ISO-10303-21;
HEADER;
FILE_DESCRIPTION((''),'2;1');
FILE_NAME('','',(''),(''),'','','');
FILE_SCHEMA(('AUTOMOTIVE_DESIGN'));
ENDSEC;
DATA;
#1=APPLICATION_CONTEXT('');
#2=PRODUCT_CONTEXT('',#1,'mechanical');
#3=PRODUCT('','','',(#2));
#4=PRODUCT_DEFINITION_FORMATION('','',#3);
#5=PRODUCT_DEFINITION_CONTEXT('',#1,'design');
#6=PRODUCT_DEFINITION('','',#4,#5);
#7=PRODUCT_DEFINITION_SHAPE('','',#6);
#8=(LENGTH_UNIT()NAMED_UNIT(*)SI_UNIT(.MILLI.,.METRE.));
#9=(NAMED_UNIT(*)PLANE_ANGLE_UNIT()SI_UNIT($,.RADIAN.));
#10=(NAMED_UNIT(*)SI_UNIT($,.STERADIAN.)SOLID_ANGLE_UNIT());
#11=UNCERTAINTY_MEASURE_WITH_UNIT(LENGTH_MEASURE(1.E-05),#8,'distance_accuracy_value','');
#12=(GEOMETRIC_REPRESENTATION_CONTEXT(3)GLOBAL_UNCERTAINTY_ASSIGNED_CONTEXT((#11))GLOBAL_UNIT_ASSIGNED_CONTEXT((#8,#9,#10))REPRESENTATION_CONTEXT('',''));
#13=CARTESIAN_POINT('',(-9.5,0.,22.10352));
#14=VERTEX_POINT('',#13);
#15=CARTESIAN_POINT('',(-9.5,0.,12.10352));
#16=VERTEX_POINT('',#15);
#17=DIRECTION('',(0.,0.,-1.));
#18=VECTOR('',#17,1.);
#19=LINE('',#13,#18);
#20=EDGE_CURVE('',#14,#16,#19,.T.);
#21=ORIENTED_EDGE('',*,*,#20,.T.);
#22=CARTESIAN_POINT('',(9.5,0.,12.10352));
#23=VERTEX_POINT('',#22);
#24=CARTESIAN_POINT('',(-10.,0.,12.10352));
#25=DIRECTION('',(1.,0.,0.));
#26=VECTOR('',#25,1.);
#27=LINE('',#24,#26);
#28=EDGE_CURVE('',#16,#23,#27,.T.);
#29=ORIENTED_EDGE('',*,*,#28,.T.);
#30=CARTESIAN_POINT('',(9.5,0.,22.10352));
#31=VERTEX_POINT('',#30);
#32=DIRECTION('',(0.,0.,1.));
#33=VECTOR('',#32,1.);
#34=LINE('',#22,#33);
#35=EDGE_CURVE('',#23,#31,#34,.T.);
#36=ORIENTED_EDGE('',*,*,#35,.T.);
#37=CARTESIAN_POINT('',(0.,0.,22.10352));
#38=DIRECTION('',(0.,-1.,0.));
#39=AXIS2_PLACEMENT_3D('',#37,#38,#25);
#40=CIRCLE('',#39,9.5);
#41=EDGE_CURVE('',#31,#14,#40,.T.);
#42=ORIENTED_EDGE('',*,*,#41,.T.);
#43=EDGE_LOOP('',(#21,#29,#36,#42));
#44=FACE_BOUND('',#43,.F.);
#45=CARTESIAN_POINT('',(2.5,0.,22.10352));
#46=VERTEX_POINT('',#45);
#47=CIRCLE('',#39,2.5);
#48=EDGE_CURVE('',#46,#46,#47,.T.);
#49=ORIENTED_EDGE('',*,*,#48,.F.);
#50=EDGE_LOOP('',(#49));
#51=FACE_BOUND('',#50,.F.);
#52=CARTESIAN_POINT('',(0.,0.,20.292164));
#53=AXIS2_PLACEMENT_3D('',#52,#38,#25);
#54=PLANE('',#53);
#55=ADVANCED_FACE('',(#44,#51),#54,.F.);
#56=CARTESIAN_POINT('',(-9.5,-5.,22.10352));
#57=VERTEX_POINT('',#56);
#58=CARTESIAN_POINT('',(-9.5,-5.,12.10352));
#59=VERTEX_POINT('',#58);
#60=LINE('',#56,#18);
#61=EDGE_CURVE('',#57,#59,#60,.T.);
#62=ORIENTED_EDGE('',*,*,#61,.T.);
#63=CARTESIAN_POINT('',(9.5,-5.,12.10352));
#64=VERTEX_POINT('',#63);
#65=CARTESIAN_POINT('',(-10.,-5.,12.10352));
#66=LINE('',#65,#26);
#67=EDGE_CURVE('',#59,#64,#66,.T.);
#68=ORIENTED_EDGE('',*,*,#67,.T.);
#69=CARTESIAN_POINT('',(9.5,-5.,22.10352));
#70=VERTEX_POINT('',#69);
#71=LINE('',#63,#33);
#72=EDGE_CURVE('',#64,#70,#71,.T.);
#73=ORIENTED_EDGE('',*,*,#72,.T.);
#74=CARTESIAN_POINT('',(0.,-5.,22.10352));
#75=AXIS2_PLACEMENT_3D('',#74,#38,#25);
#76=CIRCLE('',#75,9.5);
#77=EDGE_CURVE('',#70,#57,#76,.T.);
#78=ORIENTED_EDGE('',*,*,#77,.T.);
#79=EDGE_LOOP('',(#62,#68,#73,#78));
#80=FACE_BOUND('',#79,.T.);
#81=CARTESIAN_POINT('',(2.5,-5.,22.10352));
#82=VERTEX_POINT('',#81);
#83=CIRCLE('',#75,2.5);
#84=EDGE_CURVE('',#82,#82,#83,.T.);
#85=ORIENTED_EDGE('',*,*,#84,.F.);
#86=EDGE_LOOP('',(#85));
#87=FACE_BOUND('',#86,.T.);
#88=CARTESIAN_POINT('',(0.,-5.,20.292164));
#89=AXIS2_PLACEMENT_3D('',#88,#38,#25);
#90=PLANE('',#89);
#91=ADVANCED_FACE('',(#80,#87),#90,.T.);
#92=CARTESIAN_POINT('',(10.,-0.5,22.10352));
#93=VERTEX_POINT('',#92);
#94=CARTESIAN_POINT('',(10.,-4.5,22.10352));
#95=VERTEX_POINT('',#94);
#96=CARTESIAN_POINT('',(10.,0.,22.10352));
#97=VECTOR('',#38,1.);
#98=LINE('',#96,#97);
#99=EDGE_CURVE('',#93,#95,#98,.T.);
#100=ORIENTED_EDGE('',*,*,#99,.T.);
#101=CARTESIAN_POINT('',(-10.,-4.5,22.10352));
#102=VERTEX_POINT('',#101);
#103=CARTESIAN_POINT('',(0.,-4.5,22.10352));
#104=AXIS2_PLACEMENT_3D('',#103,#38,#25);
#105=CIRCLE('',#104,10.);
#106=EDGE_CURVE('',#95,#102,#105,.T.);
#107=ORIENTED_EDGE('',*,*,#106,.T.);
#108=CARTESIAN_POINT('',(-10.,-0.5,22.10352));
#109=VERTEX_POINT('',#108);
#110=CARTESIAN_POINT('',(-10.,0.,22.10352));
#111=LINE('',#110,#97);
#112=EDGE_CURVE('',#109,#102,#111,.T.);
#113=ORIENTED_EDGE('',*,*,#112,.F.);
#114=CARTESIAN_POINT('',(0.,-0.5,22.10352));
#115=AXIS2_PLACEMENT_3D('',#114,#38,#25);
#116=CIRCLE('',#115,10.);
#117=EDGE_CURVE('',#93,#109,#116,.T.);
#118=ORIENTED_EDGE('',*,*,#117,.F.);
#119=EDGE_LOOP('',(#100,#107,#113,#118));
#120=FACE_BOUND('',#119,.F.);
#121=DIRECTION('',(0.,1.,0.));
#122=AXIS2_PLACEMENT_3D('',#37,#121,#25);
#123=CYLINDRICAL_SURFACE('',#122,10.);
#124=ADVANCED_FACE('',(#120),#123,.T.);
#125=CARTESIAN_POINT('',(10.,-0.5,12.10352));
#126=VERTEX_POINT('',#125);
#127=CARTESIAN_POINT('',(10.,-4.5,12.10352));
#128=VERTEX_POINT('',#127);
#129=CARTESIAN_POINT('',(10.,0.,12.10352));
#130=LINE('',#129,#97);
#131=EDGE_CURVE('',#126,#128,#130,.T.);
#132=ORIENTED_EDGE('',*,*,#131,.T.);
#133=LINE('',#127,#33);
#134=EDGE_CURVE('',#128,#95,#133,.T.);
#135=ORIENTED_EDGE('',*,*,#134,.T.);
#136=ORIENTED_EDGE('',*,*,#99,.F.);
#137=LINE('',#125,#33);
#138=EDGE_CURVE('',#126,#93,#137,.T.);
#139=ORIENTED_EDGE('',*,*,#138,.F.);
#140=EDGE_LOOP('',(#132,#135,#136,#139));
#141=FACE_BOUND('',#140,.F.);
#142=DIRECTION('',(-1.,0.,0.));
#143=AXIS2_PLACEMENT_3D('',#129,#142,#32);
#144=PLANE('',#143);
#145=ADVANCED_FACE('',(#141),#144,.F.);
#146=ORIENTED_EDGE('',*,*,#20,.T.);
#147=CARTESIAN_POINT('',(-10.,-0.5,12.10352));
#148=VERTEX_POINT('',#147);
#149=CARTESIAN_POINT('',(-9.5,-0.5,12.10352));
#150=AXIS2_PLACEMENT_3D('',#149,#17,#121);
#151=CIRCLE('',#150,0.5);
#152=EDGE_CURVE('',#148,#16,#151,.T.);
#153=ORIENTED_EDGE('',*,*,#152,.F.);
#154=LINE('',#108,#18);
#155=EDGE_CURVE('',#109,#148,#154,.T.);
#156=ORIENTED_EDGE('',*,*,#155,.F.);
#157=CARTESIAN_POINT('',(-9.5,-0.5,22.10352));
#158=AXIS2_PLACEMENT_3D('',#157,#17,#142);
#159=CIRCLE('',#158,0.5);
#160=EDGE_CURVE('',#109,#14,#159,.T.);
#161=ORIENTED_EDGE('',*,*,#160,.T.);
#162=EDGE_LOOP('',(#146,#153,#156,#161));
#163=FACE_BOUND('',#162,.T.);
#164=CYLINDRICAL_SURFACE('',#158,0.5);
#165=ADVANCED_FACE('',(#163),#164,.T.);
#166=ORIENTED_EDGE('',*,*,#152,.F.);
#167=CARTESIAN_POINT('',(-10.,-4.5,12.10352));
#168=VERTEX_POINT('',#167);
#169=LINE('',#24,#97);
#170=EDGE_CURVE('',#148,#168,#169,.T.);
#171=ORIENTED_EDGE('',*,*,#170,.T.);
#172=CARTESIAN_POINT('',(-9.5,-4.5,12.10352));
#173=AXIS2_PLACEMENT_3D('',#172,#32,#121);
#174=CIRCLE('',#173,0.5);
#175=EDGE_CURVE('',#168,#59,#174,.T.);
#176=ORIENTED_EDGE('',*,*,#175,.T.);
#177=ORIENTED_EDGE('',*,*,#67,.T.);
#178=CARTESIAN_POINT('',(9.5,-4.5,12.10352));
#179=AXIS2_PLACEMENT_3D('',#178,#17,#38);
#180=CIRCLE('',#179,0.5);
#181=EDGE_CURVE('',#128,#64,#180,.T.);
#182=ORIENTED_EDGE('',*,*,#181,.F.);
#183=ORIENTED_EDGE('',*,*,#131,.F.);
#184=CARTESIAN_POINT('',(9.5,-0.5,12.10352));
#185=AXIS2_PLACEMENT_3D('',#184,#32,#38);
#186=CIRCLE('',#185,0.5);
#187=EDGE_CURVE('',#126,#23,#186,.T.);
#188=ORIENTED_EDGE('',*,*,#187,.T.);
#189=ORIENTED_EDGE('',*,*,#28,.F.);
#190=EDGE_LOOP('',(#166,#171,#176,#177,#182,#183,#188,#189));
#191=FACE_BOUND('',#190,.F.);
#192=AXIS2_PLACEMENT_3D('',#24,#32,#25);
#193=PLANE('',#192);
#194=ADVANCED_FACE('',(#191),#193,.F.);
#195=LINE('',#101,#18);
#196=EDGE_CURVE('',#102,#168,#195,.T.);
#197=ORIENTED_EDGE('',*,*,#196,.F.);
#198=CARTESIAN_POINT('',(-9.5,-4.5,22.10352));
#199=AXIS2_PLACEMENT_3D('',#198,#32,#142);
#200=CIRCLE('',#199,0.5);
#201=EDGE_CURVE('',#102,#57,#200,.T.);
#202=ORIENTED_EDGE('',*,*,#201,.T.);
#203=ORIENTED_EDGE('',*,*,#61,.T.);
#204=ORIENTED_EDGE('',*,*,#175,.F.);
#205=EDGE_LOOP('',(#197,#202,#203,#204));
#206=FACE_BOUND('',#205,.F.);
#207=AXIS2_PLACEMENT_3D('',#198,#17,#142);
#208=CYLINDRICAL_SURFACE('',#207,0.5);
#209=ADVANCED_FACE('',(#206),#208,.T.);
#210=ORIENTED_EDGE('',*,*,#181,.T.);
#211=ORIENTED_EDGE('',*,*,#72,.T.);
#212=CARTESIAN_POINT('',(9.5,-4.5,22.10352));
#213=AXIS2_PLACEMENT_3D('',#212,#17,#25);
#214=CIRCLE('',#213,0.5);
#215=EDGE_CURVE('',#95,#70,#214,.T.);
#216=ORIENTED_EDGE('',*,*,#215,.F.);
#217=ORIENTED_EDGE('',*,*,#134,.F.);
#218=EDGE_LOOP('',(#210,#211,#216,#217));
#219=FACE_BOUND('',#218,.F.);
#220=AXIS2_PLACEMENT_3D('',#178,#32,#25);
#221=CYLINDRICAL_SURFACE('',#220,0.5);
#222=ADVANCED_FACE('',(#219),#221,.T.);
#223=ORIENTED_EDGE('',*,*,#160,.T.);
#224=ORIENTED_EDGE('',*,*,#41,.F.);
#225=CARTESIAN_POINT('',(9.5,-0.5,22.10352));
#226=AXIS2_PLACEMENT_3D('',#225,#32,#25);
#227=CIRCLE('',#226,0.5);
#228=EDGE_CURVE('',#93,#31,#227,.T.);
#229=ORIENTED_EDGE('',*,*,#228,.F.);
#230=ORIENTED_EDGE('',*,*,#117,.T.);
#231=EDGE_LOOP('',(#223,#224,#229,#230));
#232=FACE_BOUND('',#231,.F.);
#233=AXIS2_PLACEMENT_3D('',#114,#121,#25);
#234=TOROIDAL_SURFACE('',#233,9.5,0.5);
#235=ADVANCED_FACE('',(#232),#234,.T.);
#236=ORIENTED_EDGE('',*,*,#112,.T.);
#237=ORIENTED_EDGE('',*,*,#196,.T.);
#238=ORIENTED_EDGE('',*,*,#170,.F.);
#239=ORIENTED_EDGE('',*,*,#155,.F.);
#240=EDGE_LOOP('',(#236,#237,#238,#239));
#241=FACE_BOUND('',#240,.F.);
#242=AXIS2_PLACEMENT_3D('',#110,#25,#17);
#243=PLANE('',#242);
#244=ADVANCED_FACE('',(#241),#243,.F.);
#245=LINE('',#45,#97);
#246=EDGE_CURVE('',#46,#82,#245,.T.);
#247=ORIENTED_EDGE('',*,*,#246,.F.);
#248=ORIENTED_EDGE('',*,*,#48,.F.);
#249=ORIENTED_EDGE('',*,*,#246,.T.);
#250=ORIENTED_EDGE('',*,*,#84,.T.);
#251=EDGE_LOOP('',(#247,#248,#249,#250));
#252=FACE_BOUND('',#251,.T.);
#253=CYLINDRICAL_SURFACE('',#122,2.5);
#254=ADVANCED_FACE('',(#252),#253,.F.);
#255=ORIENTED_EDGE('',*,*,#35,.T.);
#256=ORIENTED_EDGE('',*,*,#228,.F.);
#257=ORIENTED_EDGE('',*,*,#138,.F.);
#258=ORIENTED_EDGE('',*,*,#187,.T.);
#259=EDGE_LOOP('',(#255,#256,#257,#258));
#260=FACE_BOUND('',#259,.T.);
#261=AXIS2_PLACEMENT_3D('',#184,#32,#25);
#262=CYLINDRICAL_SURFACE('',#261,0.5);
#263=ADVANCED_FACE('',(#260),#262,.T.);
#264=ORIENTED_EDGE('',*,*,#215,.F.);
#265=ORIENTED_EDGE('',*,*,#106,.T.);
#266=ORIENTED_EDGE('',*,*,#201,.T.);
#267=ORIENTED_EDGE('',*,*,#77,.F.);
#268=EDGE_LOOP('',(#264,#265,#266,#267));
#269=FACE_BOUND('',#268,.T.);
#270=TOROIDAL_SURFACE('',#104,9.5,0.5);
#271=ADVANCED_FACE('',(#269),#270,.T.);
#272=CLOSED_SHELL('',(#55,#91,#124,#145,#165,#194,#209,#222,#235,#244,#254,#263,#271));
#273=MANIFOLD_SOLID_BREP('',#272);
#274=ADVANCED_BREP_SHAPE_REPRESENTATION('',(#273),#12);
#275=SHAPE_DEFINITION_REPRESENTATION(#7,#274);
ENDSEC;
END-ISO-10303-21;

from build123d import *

# Parameters (mm, degrees)
F0_R     = 2.5
F1_DEPTH = 5
F2_R     = 0.5


with BuildPart() as f1:
    # F0 (on Front) → F1 (new body)
    with BuildSketch(Plane.XZ):
        with BuildLine():
            Line((-10, 12.10352), (10, 12.10352))
            Line((10, 12.10352), (10, 22.10352))
            ThreePointArc((10, 22.10352), (0, 32.10352), (-10, 22.10352))
            Line((-10, 22.10352), (-10, 12.10352))
        make_face()
        with Locations((0, 22.10352)):
            Circle(F0_R, mode=Mode.SUBTRACT)
    extrude(amount=F1_DEPTH)

    # F2
    f2_edges = [f1.edges().sort_by_distance(p)[0] for p in [
        (0, -5, 32.10352),
        (10, 0, 17.10352),
    ]]
    fillet(f2_edges, radius=F2_R)


solid = f1.part
